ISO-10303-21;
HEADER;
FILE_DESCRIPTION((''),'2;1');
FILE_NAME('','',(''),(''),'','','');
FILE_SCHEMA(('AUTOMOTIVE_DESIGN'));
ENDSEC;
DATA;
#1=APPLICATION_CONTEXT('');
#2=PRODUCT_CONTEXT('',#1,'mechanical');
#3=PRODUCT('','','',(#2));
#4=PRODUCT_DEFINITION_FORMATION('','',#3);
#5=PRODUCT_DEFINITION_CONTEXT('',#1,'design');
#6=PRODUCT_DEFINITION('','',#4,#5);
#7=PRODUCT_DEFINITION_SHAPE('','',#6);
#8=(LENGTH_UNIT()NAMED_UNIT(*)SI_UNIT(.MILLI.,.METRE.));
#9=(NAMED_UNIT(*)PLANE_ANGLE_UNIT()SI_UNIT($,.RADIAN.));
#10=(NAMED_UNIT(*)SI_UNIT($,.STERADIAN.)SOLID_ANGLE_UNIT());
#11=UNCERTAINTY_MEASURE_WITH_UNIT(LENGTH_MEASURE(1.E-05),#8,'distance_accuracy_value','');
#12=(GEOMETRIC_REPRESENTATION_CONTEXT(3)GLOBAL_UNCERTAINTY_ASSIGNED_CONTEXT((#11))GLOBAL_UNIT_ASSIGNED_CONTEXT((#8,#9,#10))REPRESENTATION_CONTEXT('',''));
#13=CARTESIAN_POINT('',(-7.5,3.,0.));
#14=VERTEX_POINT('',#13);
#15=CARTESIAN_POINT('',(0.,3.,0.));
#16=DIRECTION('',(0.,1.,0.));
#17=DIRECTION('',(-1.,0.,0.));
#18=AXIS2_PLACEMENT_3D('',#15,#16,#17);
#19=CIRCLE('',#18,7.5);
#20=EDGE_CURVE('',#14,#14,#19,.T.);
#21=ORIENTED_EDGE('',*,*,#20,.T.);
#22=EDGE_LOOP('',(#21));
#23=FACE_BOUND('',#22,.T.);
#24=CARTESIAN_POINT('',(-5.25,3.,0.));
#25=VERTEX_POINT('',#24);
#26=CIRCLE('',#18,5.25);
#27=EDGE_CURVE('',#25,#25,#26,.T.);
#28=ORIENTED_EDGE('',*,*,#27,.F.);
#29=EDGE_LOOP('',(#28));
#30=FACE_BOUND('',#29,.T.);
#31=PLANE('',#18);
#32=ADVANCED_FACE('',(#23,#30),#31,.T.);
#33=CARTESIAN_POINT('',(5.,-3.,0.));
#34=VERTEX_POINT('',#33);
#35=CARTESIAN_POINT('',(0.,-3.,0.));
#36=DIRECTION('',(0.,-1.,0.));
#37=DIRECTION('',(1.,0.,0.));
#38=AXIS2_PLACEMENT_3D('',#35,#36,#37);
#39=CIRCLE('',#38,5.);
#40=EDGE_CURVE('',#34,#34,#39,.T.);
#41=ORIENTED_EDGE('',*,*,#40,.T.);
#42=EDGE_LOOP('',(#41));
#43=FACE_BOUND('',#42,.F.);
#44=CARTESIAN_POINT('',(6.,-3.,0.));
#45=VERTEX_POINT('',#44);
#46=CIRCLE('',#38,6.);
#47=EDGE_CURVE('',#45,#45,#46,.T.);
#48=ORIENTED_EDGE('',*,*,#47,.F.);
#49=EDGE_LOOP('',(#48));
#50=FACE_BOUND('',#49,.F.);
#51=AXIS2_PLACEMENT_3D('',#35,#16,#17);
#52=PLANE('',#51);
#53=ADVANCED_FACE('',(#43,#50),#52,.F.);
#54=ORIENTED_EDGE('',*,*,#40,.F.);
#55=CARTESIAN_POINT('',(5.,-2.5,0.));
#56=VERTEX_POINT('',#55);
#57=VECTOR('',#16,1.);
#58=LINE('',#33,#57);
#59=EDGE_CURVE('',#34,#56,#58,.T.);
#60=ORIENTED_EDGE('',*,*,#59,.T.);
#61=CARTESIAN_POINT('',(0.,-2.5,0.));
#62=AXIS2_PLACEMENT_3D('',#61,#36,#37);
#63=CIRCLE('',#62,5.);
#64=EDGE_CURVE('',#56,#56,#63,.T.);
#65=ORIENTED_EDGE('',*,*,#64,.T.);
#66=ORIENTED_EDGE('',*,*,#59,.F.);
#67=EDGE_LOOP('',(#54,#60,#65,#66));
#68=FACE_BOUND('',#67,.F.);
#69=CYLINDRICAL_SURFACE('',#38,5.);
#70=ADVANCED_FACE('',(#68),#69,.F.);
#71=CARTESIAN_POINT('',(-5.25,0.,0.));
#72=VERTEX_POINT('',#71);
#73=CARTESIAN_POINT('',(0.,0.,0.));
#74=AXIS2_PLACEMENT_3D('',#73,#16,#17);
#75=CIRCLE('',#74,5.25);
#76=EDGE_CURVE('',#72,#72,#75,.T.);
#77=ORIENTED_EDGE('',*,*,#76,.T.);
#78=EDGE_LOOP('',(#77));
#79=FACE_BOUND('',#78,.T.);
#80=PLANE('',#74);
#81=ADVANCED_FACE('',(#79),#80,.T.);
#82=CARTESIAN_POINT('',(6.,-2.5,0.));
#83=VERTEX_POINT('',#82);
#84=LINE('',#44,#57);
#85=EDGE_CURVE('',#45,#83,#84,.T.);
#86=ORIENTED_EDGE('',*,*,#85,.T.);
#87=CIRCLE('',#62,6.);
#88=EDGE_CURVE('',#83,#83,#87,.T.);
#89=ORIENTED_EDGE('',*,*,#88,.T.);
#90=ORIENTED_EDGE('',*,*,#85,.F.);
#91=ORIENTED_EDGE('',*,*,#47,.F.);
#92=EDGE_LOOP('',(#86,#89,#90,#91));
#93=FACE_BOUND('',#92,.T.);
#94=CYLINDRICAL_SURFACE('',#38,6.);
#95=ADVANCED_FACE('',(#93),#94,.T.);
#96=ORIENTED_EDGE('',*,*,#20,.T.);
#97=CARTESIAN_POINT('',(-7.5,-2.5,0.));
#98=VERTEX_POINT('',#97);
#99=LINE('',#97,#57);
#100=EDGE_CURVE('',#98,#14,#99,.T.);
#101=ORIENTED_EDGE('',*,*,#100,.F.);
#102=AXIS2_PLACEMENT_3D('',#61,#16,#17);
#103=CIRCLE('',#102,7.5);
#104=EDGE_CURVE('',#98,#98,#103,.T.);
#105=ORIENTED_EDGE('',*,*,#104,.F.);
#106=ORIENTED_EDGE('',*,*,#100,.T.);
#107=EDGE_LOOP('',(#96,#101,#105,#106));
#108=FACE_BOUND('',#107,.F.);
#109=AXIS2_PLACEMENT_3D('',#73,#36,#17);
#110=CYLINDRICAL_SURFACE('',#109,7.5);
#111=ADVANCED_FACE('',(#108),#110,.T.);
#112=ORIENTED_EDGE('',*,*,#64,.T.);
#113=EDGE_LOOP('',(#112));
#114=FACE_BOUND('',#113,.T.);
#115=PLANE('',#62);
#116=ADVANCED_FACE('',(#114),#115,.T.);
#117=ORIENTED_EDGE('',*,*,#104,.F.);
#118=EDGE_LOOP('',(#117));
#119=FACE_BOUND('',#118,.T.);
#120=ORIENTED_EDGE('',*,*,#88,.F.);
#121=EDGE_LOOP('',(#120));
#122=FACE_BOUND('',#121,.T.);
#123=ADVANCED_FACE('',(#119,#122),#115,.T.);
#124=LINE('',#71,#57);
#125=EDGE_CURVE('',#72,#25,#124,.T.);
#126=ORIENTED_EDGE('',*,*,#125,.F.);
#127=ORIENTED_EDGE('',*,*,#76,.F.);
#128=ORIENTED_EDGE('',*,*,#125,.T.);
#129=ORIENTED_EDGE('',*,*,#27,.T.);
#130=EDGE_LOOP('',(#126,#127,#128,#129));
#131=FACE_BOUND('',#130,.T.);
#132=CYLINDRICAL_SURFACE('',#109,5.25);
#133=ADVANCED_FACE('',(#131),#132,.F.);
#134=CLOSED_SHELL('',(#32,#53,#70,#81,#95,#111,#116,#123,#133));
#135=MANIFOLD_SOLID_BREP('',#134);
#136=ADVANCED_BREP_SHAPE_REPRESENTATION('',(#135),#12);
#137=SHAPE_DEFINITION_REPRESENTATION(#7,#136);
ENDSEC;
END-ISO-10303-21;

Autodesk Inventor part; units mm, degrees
ref_plane "YZ Plane" through (0, 0, 0) normal (1, 0, 0) x (0, 1, 0)
ref_plane "XZ Plane" through (0, 0, 0) normal (0, 1, 0) x (-1, 0, 0)
ref_plane "XY Plane" through (0, 0, 0) normal (0, 0, 1) x (1, 0, 0)
sketch "스케치1" plane through (0, 0, 0) normal (0, 1, 0) x (-1, 0, 0)
  circle A0 centre (0, 0) radius 7.5
  circle A1 centre (0, 0) radius 5.25
  dimension "d0" = 15
  dimension "d1" = 10.5
extrude "돌출1" add sketch "스케치1" against normal blind 3 contours A0 | A1
extrude "돌출2" add sketch "스케치1" along normal blind 3
sketch "스케치2" plane through (0, -3, 0) normal (0, -1, 0) x (1, 0, 0)
  circle A0 centre (0, 0) radius 5
  circle A1 centre (0, 0) radius 6
  circle A2 centre (0, 0) radius 7.5 projected
  dimension "d6" = 10
  dimension "d7" = 12
extrude "돌출3" cut sketch "스케치2" against normal blind 0.5
properties part number "나사 회전축"
